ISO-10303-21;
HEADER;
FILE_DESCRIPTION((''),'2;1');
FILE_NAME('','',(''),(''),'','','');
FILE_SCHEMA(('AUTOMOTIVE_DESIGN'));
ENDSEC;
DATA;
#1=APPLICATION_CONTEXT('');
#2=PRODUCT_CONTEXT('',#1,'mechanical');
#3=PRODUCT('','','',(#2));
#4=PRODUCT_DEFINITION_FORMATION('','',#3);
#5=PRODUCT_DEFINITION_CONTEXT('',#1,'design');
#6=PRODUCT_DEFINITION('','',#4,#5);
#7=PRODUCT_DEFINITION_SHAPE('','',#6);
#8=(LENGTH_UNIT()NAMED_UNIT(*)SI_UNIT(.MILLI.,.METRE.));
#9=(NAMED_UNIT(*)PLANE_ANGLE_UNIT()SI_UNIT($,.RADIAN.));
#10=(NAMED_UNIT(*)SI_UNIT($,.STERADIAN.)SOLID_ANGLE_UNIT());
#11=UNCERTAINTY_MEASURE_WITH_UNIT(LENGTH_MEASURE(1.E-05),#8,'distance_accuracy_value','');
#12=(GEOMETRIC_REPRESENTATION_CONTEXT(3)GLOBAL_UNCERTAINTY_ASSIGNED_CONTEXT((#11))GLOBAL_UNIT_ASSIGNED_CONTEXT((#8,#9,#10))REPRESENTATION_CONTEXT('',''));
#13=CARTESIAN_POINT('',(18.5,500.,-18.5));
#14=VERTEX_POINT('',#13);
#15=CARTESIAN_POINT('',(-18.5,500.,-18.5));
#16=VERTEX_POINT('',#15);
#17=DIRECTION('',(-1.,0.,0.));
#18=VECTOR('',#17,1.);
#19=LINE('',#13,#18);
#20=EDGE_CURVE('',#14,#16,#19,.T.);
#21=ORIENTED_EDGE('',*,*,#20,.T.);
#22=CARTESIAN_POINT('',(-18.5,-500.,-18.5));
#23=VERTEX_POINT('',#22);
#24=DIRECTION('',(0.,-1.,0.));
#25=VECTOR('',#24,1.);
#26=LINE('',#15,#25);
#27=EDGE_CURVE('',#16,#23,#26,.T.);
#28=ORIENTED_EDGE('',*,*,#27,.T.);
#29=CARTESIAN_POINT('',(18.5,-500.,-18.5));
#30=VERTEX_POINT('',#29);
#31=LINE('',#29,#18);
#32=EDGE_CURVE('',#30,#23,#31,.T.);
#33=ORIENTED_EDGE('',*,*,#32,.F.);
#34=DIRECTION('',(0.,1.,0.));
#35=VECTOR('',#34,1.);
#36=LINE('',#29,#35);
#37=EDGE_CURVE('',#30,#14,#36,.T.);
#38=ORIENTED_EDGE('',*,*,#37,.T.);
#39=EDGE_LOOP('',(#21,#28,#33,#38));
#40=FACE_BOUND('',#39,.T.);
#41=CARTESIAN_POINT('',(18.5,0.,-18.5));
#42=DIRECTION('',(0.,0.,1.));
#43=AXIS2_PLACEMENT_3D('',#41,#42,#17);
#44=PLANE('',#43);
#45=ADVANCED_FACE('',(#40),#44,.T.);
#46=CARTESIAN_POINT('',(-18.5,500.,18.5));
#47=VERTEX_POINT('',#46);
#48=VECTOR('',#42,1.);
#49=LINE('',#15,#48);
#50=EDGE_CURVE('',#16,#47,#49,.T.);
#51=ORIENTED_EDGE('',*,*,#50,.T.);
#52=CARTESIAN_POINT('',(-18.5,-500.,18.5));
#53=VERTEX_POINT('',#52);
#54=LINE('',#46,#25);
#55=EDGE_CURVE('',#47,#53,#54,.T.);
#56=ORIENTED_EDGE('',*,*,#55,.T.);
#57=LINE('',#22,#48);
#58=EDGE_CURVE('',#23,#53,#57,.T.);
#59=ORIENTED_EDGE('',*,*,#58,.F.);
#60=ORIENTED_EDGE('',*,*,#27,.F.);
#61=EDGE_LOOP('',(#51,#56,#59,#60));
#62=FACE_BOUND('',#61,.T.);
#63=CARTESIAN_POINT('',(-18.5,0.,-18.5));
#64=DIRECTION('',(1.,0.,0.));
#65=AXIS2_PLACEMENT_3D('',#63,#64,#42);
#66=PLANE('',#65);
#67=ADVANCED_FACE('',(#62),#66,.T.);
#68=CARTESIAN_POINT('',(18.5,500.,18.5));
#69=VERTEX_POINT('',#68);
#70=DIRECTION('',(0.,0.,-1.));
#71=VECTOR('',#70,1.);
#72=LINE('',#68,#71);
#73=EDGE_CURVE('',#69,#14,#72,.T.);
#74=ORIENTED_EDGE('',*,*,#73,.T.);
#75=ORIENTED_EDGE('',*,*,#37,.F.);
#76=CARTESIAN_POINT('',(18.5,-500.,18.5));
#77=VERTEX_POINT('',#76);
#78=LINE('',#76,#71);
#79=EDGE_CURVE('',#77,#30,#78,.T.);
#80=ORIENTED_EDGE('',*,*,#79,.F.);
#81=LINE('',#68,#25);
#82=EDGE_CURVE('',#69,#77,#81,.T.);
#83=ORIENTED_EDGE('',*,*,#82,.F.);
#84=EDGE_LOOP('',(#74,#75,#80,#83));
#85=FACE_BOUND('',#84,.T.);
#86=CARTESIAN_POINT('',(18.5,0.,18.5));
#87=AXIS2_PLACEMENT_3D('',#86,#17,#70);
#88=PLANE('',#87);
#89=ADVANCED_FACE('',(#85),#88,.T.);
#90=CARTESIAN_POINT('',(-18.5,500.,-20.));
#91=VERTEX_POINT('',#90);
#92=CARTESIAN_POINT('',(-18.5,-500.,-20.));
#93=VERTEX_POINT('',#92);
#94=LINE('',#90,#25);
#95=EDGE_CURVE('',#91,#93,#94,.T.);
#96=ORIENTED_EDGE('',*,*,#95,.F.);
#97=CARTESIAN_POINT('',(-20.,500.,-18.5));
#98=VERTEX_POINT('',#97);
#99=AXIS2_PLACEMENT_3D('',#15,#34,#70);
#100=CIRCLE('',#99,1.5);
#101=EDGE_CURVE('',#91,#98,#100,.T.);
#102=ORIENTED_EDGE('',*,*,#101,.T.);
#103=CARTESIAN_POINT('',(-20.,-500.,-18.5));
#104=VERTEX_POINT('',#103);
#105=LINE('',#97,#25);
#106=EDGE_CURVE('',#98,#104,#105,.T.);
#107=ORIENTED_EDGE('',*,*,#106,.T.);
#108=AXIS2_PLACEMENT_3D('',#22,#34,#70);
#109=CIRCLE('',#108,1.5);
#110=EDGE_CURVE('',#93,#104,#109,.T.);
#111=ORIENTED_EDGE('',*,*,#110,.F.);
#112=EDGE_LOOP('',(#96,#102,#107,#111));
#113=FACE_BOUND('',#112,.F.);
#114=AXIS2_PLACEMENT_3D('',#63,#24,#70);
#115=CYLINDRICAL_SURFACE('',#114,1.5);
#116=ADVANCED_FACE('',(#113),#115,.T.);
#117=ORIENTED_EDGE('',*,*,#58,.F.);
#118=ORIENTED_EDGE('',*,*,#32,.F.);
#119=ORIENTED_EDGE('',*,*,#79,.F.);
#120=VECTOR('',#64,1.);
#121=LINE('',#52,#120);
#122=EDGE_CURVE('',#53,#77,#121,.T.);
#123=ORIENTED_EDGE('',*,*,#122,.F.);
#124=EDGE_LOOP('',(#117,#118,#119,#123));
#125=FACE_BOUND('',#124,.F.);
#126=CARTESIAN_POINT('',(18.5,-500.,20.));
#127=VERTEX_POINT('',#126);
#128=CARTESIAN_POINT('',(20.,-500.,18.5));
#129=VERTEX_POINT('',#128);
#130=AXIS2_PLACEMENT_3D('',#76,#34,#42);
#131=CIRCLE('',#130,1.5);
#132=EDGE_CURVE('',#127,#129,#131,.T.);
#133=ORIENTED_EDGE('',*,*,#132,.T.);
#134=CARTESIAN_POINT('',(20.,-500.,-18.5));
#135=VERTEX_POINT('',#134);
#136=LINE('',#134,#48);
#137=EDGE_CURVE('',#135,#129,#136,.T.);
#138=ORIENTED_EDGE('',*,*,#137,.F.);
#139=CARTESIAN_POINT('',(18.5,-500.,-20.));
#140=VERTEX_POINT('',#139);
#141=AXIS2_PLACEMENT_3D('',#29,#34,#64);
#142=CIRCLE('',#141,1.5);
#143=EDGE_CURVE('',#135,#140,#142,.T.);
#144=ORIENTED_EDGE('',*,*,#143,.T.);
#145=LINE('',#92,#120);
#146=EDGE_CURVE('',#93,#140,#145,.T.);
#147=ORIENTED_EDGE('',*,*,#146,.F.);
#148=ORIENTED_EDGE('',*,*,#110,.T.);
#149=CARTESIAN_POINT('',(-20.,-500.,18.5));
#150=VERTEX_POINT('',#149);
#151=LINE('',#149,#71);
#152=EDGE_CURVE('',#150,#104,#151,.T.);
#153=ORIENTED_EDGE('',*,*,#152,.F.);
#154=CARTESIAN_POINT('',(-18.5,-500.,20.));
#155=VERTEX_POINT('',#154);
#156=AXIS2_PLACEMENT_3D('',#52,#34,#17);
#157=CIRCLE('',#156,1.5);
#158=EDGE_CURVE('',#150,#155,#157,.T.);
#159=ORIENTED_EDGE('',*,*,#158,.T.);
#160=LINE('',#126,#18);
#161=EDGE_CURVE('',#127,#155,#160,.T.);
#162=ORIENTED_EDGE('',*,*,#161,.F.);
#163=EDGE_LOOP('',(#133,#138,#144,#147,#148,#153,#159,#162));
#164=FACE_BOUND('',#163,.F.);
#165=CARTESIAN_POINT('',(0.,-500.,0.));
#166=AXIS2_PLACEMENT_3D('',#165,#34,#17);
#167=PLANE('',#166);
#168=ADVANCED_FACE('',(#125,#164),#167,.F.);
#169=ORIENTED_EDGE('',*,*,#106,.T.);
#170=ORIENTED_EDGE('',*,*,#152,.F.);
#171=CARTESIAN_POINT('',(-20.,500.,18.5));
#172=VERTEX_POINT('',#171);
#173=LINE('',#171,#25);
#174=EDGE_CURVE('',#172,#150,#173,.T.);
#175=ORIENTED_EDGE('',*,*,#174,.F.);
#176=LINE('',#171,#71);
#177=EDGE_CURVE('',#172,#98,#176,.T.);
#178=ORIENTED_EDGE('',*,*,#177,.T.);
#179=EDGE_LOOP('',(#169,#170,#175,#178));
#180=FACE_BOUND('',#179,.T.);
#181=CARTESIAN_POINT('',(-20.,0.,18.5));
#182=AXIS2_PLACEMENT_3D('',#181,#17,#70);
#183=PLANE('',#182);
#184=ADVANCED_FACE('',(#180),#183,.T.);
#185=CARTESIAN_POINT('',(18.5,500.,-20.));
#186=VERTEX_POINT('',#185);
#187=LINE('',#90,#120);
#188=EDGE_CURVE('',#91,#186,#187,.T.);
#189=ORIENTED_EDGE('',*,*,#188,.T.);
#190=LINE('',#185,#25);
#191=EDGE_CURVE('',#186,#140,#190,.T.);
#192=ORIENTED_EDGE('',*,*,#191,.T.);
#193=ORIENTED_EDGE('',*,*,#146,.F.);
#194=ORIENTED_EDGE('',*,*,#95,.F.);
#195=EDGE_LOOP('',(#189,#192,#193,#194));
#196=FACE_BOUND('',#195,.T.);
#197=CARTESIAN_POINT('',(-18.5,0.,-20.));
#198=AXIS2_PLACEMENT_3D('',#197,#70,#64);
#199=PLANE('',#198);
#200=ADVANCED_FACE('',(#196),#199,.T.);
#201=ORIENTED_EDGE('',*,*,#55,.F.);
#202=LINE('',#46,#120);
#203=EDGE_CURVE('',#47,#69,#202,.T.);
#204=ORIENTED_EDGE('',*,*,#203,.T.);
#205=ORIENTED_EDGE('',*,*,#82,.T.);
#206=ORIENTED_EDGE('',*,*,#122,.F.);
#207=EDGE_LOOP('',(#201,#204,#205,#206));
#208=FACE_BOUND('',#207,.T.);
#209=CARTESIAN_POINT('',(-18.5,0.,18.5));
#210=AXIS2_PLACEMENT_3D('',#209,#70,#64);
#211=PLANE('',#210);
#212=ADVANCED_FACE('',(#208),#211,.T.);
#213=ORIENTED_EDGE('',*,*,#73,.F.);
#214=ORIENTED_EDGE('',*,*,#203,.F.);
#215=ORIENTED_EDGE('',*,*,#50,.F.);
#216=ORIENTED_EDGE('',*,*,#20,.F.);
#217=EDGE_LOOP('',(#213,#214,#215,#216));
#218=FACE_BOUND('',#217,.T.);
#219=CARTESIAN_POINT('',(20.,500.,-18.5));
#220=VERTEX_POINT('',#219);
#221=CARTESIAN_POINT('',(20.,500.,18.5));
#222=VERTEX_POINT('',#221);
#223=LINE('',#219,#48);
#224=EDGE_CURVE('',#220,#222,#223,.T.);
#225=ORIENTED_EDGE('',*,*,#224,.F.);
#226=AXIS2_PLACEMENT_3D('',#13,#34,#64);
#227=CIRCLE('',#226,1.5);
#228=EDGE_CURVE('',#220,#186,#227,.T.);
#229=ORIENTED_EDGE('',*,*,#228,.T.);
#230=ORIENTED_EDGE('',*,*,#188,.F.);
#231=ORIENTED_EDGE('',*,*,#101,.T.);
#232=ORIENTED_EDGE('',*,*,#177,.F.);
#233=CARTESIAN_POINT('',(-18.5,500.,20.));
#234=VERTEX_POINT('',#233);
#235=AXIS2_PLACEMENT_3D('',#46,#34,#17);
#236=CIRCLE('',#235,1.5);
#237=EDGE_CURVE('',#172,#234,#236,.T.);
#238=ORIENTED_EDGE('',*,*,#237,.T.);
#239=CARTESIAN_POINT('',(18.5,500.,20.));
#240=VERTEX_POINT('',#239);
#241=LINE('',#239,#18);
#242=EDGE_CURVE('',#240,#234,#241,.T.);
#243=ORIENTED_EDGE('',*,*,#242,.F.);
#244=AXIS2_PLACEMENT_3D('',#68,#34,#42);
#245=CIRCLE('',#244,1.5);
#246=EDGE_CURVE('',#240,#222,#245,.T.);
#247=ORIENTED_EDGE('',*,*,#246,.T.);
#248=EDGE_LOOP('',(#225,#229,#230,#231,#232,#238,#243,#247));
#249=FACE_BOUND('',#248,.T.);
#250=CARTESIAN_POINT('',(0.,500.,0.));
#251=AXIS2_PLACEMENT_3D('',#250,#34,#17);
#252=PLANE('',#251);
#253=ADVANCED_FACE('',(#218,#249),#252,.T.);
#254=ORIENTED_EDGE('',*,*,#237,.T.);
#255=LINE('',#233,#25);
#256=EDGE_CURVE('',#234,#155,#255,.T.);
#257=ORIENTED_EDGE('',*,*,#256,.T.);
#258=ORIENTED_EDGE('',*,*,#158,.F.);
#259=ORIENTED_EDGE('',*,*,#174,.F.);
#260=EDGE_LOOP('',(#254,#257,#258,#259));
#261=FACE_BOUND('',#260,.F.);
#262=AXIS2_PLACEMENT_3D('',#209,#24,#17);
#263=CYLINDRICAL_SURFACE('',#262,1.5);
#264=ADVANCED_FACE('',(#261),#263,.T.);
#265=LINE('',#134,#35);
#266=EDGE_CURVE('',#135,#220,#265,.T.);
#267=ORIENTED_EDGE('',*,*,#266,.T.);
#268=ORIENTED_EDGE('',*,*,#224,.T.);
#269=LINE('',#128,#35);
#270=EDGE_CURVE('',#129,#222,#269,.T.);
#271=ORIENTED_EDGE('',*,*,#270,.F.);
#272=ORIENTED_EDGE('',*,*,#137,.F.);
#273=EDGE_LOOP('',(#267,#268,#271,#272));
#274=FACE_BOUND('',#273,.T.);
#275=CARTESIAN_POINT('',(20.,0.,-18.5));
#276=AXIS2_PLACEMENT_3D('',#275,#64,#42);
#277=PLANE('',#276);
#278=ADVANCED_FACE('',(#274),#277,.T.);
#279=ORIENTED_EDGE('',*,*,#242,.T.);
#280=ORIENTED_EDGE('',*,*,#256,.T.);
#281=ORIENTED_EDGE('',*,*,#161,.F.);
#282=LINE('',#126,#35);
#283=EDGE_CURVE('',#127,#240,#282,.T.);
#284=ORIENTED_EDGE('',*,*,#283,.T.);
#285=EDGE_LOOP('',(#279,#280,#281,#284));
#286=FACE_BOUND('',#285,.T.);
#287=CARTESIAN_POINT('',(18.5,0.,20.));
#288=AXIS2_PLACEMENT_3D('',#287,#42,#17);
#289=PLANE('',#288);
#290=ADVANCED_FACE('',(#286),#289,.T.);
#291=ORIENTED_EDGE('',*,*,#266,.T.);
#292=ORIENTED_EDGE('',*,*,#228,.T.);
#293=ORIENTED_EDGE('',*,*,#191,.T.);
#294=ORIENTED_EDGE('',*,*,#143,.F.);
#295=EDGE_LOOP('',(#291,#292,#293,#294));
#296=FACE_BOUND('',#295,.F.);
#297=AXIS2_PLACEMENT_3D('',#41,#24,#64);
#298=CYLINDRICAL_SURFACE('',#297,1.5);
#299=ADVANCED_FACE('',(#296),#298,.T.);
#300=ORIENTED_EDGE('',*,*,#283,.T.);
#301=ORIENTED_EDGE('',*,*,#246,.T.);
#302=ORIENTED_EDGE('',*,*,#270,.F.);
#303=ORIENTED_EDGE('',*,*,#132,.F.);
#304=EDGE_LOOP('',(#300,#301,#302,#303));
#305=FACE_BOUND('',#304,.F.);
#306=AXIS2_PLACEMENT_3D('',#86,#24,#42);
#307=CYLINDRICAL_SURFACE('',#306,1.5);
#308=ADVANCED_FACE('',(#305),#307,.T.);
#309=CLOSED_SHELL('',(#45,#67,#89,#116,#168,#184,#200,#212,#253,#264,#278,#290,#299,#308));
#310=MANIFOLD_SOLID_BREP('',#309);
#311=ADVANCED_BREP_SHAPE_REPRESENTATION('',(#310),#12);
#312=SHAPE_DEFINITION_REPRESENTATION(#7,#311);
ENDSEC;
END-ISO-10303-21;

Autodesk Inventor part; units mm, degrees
ref_plane "YZ Plane" through (0, 0, 0) normal (1, 0, 0) x (0, 1, 0)
ref_plane "XZ Plane" through (0, 0, 0) normal (0, 1, 0) x (-1, 0, 0)
ref_plane "XY Plane" through (0, 0, 0) normal (0, 0, 1) x (1, 0, 0)
sketch "Esboço1" plane through (0, 0, 0) normal (0, 1, 0) x (-1, 0, 0)
  line L0 (-18.5, 20) -> (18.5, 20)
  line L1 (20, 18.5) -> (20, -18.5)
  line L2 (18.5, -20) -> (-18.5, -20)
  line L3 (-20, -18.5) -> (-20, 18.5)
  line L4 (-20, 20) -> (20, -20) construction
  line L5 (20, 20) -> (-20, -20) construction
  line L6 (-18.5, -18.5) -> (18.5, -18.5)
  line L7 (18.5, -18.5) -> (18.5, 18.5)
  line L8 (18.5, 18.5) -> (-18.5, 18.5)
  line L9 (-18.5, 18.5) -> (-18.5, -18.5)
  line L10 (-18.5, -18.5) -> (18.5, 18.5) construction
  line L11 (18.5, -18.5) -> (-18.5, 18.5) construction
  arc A0 (20, 18.5) -> (18.5, 20) centre (18.5, 18.5) ccw
  arc A1 (-18.5, 20) -> (-20, 18.5) centre (-18.5, 18.5) ccw
  arc A2 (-20, -18.5) -> (-18.5, -20) centre (-18.5, -18.5) ccw
  arc A3 (18.5, -20) -> (20, -18.5) centre (18.5, -18.5) ccw
  point P0 (0, 0)
  dimension "d0" = 40
  dimension "d1" = 40
  dimension "d2" = 1.5
  dimension "d3" = 1.5
extrude "Extrusão1" add sketch "Esboço1" along normal mid plane 1000
equation "\"d3\" = d2"
properties part number "MSI-103" material "Aço inoxidável AISI 304"
